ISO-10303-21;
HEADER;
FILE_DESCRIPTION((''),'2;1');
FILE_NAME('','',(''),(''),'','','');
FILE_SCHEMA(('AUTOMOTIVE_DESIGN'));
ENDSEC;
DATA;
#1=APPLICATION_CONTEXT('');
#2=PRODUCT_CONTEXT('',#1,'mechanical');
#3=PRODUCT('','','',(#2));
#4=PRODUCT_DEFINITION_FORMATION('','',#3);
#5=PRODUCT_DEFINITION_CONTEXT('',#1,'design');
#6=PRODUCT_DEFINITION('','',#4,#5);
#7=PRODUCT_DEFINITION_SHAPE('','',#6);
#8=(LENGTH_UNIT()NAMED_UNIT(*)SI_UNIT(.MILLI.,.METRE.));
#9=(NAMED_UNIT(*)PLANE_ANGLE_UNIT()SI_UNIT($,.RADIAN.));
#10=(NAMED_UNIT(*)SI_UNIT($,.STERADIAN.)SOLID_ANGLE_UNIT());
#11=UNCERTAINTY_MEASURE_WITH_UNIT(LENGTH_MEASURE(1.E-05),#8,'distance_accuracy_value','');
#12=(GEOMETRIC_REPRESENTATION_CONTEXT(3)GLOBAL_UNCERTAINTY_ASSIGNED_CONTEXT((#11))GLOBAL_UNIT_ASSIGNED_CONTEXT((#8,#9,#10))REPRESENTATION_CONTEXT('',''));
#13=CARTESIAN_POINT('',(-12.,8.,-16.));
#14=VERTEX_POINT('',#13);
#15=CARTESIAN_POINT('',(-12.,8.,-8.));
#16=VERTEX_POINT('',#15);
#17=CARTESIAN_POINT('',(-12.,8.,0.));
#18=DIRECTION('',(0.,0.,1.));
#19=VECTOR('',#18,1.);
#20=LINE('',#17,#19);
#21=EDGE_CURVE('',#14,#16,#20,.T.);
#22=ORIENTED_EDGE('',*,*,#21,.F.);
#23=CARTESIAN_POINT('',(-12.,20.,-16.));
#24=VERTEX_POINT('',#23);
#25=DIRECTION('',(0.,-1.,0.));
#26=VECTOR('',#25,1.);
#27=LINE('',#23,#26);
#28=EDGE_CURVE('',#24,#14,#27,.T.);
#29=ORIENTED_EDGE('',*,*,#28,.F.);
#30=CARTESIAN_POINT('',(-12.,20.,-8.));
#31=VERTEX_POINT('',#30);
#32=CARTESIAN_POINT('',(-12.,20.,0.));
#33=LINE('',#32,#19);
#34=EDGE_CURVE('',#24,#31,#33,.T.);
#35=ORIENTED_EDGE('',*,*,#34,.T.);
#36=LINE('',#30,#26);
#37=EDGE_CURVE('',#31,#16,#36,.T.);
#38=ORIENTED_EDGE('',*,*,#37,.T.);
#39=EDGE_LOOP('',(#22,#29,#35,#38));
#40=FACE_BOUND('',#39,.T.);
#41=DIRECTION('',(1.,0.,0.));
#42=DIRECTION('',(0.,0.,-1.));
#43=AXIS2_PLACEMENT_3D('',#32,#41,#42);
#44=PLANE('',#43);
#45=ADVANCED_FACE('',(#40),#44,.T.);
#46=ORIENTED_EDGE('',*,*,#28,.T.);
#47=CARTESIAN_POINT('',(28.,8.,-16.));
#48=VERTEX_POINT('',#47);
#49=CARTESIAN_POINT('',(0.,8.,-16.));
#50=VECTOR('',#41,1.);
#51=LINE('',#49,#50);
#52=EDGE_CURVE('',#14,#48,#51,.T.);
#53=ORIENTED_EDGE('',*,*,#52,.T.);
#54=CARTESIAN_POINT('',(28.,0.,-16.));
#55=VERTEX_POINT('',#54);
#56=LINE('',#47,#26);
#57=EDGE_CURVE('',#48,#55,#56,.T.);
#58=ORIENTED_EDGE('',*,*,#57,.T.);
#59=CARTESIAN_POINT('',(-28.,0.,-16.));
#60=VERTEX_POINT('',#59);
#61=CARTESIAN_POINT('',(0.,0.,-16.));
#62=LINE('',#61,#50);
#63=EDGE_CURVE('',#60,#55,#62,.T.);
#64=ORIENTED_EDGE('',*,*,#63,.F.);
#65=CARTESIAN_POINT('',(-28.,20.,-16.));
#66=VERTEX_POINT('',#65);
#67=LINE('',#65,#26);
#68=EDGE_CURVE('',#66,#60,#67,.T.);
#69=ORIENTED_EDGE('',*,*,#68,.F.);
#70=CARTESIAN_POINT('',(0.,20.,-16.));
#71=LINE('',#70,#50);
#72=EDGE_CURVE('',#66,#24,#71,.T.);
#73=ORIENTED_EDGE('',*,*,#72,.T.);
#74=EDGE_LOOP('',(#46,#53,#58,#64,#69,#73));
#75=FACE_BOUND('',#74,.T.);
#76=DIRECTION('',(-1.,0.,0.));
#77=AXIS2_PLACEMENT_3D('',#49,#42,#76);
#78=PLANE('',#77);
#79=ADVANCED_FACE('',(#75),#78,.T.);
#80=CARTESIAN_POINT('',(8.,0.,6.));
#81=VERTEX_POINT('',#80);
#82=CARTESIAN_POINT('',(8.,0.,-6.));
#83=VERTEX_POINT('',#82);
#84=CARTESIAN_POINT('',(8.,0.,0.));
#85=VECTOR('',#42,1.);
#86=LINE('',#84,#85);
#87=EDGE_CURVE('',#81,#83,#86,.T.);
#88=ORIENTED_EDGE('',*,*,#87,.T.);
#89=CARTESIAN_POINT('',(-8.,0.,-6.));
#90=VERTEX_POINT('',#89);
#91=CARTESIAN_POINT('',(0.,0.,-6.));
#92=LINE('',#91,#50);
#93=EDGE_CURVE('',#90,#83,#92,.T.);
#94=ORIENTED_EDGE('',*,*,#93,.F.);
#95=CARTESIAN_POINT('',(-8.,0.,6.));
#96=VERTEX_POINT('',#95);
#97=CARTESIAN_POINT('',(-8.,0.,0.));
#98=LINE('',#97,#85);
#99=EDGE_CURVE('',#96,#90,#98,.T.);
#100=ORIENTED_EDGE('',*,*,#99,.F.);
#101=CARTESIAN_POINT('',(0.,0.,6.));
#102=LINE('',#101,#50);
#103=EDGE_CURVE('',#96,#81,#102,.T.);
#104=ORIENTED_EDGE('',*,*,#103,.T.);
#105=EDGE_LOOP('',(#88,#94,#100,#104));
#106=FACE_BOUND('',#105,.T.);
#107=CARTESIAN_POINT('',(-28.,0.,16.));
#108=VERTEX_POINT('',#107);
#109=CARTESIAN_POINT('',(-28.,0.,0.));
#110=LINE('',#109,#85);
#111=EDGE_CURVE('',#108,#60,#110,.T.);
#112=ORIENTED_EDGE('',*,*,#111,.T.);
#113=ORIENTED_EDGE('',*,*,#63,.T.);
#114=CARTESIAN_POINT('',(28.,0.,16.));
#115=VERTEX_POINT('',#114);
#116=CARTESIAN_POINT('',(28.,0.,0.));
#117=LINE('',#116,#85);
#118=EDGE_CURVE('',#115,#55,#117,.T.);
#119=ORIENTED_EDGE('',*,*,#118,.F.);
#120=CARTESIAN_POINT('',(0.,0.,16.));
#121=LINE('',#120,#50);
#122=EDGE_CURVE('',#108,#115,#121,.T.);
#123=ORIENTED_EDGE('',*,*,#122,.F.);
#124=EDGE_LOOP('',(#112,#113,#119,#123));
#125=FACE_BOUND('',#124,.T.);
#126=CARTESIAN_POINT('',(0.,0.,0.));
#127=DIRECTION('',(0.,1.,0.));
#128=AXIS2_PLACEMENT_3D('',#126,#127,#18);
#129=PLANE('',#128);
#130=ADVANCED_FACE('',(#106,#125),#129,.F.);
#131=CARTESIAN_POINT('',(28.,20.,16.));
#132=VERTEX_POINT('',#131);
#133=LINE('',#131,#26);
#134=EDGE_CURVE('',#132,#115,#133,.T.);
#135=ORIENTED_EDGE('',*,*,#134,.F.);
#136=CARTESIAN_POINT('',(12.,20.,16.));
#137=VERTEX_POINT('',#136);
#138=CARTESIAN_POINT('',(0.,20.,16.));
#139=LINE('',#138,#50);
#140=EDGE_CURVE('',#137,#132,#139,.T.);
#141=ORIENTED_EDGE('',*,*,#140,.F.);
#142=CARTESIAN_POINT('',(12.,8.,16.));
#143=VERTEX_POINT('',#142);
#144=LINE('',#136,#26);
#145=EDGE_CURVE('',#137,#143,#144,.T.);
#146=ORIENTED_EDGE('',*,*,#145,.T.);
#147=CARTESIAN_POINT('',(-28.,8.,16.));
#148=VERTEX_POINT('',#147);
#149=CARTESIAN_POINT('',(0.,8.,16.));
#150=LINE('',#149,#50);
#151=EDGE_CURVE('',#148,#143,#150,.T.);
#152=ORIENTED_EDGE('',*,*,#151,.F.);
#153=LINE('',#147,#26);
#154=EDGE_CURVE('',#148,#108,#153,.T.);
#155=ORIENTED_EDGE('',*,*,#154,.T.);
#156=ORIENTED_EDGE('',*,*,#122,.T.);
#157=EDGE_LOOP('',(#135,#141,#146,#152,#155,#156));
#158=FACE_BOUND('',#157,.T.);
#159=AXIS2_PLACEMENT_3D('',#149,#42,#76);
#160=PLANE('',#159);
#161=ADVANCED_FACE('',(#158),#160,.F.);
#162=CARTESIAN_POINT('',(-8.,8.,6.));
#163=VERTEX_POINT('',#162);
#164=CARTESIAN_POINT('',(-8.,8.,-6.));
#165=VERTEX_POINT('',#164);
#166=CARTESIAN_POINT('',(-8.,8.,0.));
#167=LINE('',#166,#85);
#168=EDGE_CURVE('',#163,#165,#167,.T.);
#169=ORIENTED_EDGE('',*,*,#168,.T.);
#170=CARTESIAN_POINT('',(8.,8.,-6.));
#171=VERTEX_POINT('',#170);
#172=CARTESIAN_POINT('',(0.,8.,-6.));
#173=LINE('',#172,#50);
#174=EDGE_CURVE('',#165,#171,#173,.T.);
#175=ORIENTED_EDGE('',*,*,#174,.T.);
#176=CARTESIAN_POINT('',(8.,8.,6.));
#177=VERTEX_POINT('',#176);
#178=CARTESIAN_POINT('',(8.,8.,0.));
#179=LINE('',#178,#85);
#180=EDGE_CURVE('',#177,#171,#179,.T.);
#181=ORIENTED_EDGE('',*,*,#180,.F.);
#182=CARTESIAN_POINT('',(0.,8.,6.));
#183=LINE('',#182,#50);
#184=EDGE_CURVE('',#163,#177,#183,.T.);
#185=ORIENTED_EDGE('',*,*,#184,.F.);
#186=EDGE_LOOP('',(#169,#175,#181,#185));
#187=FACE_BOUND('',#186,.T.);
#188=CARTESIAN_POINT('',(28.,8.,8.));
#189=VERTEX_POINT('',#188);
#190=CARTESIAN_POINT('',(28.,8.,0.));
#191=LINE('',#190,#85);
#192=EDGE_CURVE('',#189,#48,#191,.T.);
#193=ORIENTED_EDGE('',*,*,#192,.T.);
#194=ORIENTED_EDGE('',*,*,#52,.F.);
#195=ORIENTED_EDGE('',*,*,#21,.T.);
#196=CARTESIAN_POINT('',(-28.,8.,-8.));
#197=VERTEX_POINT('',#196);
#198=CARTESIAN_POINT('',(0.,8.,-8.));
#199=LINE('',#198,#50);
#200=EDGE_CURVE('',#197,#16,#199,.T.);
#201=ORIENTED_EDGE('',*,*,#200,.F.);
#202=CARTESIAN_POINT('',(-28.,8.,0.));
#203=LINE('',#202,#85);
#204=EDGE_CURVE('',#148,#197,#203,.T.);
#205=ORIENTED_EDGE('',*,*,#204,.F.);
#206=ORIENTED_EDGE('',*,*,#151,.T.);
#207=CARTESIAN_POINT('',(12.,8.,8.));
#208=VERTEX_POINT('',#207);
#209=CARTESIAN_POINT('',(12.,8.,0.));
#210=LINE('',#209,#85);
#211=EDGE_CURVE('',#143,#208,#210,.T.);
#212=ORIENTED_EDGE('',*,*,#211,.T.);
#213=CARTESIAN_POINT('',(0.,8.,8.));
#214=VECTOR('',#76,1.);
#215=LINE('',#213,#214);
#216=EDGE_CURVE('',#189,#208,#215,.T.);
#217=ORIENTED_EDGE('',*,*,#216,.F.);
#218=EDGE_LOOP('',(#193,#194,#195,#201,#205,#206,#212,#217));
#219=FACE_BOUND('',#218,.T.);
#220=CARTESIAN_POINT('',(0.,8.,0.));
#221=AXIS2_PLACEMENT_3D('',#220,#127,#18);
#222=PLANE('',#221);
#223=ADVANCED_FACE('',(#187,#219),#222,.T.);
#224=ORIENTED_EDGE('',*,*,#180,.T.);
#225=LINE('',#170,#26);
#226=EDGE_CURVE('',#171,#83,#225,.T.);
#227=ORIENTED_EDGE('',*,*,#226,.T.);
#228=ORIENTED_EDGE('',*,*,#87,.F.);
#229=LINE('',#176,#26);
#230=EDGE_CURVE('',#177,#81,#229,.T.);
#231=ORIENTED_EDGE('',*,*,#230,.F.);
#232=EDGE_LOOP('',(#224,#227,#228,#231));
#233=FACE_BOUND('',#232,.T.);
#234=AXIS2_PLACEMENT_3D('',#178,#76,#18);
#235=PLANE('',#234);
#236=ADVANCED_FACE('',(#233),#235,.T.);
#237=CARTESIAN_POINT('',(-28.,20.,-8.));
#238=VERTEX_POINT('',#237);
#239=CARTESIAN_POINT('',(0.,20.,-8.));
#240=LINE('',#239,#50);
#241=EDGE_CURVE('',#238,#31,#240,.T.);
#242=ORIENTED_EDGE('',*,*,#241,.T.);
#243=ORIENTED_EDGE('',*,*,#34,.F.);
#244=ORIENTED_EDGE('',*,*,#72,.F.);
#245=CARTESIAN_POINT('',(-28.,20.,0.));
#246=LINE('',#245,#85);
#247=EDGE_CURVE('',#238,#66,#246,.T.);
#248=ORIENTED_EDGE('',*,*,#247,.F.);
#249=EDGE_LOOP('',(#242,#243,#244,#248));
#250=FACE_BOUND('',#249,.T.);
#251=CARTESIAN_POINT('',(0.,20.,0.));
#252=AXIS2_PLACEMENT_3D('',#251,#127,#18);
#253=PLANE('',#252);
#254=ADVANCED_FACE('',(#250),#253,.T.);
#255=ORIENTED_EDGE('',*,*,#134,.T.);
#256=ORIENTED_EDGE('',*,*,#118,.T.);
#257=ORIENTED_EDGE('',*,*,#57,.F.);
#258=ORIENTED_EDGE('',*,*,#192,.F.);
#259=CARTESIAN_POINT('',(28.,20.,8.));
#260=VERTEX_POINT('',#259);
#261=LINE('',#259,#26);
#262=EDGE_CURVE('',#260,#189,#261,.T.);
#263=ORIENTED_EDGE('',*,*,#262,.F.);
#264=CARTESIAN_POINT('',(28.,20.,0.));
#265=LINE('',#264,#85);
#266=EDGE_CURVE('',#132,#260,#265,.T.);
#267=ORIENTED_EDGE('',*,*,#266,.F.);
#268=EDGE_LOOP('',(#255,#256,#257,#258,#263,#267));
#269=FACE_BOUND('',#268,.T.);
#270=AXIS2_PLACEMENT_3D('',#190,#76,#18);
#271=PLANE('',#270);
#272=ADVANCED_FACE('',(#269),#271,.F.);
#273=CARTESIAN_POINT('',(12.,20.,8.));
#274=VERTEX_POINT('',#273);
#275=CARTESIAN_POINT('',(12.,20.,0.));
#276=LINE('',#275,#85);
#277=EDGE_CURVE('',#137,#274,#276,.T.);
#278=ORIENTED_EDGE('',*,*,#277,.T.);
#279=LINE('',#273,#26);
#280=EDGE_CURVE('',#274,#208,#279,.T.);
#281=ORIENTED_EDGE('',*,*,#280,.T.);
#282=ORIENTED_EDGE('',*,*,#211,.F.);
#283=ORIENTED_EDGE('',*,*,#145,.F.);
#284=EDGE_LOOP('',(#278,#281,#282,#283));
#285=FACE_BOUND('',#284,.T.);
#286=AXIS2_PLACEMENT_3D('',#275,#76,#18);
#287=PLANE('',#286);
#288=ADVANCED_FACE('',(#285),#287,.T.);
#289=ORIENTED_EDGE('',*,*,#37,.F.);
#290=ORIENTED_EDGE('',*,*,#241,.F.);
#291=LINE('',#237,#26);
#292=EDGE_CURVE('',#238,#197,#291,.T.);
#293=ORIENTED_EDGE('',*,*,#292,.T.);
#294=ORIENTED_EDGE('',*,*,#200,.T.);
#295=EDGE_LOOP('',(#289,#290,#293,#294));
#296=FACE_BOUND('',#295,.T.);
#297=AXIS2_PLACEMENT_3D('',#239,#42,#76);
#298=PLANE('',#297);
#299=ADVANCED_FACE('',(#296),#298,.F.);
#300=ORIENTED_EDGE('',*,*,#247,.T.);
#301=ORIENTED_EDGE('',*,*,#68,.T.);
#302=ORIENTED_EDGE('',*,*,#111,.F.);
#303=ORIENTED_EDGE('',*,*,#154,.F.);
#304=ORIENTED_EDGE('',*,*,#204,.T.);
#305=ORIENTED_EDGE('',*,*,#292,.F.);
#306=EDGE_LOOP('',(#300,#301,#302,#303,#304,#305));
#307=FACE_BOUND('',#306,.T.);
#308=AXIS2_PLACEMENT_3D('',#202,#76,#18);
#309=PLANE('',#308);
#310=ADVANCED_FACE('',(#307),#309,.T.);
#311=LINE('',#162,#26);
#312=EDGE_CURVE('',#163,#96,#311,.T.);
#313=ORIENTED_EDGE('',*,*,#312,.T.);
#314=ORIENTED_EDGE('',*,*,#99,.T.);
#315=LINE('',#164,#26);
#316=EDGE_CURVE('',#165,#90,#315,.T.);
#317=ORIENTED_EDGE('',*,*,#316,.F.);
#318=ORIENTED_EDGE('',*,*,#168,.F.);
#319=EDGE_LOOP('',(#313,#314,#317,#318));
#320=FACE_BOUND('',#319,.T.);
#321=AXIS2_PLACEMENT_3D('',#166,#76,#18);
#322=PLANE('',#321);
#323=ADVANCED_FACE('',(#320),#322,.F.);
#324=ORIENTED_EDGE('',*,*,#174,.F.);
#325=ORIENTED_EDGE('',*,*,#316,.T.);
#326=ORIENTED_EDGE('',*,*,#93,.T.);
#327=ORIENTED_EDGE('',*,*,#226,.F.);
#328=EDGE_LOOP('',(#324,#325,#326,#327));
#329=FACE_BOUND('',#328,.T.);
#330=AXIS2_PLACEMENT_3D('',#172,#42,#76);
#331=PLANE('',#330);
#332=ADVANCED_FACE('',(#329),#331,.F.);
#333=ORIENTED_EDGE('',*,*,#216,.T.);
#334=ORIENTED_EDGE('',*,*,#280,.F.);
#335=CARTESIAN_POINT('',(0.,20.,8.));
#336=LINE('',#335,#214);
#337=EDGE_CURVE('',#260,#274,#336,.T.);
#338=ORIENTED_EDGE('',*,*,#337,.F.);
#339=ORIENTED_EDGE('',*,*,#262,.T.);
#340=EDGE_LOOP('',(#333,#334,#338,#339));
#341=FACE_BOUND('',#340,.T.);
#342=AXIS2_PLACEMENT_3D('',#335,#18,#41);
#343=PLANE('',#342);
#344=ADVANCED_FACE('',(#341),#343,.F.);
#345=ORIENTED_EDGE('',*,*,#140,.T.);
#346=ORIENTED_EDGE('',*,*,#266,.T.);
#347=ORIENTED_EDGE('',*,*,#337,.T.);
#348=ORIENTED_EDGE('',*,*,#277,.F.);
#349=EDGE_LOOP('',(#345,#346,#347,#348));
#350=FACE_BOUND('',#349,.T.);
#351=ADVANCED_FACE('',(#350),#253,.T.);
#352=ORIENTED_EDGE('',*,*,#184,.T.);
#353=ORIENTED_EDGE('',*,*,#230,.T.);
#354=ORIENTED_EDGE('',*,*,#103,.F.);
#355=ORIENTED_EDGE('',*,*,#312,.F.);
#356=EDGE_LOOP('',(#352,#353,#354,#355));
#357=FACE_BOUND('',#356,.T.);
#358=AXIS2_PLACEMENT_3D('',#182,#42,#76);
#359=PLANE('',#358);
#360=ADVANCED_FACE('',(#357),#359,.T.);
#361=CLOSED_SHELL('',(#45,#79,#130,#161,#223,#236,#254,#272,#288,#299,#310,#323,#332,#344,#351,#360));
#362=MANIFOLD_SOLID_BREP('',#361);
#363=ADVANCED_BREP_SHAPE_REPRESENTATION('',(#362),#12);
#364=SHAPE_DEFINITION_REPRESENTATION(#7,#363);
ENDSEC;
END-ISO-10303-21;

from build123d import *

# Parameters (mm, degrees)
SKETCH1_3_W         = 16
SKETCH1_3_H         = 12
BOSS_EXTRUDE2_DEPTH = 8
SKETCH1_4_W         = 16
SKETCH1_4_H         = 8
BOSS_EXTRUDE3_DEPTH = 20


with BuildPart() as part:
    # Sketch1<3> → Boss-Extrude2 (new body)
    with BuildSketch(Plane(origin=(0, 0, 0), x_dir=(1, 0, 0), z_dir=(0, 1, 0))):
        Polygon((-28, 8), (-28, -16), (12, -16), (12, -8), (28, -8), (28, 16), (-12, 16), (-12, 8), align=None)
        Rectangle(SKETCH1_3_W, SKETCH1_3_H, mode=Mode.SUBTRACT)
    extrude(amount=BOSS_EXTRUDE2_DEPTH)

    # Sketch1<4> → Boss-Extrude3 (add)
    with BuildSketch(Plane(origin=(0, 0, 0), x_dir=(1, 0, 0), z_dir=(0, 1, 0))):
        with Locations((20, -12)):
            Rectangle(SKETCH1_4_W, SKETCH1_4_H)
        with Locations((-20, 12)):
            Rectangle(SKETCH1_4_W, SKETCH1_4_H)
    extrude(amount=BOSS_EXTRUDE3_DEPTH)


solid = part.part
